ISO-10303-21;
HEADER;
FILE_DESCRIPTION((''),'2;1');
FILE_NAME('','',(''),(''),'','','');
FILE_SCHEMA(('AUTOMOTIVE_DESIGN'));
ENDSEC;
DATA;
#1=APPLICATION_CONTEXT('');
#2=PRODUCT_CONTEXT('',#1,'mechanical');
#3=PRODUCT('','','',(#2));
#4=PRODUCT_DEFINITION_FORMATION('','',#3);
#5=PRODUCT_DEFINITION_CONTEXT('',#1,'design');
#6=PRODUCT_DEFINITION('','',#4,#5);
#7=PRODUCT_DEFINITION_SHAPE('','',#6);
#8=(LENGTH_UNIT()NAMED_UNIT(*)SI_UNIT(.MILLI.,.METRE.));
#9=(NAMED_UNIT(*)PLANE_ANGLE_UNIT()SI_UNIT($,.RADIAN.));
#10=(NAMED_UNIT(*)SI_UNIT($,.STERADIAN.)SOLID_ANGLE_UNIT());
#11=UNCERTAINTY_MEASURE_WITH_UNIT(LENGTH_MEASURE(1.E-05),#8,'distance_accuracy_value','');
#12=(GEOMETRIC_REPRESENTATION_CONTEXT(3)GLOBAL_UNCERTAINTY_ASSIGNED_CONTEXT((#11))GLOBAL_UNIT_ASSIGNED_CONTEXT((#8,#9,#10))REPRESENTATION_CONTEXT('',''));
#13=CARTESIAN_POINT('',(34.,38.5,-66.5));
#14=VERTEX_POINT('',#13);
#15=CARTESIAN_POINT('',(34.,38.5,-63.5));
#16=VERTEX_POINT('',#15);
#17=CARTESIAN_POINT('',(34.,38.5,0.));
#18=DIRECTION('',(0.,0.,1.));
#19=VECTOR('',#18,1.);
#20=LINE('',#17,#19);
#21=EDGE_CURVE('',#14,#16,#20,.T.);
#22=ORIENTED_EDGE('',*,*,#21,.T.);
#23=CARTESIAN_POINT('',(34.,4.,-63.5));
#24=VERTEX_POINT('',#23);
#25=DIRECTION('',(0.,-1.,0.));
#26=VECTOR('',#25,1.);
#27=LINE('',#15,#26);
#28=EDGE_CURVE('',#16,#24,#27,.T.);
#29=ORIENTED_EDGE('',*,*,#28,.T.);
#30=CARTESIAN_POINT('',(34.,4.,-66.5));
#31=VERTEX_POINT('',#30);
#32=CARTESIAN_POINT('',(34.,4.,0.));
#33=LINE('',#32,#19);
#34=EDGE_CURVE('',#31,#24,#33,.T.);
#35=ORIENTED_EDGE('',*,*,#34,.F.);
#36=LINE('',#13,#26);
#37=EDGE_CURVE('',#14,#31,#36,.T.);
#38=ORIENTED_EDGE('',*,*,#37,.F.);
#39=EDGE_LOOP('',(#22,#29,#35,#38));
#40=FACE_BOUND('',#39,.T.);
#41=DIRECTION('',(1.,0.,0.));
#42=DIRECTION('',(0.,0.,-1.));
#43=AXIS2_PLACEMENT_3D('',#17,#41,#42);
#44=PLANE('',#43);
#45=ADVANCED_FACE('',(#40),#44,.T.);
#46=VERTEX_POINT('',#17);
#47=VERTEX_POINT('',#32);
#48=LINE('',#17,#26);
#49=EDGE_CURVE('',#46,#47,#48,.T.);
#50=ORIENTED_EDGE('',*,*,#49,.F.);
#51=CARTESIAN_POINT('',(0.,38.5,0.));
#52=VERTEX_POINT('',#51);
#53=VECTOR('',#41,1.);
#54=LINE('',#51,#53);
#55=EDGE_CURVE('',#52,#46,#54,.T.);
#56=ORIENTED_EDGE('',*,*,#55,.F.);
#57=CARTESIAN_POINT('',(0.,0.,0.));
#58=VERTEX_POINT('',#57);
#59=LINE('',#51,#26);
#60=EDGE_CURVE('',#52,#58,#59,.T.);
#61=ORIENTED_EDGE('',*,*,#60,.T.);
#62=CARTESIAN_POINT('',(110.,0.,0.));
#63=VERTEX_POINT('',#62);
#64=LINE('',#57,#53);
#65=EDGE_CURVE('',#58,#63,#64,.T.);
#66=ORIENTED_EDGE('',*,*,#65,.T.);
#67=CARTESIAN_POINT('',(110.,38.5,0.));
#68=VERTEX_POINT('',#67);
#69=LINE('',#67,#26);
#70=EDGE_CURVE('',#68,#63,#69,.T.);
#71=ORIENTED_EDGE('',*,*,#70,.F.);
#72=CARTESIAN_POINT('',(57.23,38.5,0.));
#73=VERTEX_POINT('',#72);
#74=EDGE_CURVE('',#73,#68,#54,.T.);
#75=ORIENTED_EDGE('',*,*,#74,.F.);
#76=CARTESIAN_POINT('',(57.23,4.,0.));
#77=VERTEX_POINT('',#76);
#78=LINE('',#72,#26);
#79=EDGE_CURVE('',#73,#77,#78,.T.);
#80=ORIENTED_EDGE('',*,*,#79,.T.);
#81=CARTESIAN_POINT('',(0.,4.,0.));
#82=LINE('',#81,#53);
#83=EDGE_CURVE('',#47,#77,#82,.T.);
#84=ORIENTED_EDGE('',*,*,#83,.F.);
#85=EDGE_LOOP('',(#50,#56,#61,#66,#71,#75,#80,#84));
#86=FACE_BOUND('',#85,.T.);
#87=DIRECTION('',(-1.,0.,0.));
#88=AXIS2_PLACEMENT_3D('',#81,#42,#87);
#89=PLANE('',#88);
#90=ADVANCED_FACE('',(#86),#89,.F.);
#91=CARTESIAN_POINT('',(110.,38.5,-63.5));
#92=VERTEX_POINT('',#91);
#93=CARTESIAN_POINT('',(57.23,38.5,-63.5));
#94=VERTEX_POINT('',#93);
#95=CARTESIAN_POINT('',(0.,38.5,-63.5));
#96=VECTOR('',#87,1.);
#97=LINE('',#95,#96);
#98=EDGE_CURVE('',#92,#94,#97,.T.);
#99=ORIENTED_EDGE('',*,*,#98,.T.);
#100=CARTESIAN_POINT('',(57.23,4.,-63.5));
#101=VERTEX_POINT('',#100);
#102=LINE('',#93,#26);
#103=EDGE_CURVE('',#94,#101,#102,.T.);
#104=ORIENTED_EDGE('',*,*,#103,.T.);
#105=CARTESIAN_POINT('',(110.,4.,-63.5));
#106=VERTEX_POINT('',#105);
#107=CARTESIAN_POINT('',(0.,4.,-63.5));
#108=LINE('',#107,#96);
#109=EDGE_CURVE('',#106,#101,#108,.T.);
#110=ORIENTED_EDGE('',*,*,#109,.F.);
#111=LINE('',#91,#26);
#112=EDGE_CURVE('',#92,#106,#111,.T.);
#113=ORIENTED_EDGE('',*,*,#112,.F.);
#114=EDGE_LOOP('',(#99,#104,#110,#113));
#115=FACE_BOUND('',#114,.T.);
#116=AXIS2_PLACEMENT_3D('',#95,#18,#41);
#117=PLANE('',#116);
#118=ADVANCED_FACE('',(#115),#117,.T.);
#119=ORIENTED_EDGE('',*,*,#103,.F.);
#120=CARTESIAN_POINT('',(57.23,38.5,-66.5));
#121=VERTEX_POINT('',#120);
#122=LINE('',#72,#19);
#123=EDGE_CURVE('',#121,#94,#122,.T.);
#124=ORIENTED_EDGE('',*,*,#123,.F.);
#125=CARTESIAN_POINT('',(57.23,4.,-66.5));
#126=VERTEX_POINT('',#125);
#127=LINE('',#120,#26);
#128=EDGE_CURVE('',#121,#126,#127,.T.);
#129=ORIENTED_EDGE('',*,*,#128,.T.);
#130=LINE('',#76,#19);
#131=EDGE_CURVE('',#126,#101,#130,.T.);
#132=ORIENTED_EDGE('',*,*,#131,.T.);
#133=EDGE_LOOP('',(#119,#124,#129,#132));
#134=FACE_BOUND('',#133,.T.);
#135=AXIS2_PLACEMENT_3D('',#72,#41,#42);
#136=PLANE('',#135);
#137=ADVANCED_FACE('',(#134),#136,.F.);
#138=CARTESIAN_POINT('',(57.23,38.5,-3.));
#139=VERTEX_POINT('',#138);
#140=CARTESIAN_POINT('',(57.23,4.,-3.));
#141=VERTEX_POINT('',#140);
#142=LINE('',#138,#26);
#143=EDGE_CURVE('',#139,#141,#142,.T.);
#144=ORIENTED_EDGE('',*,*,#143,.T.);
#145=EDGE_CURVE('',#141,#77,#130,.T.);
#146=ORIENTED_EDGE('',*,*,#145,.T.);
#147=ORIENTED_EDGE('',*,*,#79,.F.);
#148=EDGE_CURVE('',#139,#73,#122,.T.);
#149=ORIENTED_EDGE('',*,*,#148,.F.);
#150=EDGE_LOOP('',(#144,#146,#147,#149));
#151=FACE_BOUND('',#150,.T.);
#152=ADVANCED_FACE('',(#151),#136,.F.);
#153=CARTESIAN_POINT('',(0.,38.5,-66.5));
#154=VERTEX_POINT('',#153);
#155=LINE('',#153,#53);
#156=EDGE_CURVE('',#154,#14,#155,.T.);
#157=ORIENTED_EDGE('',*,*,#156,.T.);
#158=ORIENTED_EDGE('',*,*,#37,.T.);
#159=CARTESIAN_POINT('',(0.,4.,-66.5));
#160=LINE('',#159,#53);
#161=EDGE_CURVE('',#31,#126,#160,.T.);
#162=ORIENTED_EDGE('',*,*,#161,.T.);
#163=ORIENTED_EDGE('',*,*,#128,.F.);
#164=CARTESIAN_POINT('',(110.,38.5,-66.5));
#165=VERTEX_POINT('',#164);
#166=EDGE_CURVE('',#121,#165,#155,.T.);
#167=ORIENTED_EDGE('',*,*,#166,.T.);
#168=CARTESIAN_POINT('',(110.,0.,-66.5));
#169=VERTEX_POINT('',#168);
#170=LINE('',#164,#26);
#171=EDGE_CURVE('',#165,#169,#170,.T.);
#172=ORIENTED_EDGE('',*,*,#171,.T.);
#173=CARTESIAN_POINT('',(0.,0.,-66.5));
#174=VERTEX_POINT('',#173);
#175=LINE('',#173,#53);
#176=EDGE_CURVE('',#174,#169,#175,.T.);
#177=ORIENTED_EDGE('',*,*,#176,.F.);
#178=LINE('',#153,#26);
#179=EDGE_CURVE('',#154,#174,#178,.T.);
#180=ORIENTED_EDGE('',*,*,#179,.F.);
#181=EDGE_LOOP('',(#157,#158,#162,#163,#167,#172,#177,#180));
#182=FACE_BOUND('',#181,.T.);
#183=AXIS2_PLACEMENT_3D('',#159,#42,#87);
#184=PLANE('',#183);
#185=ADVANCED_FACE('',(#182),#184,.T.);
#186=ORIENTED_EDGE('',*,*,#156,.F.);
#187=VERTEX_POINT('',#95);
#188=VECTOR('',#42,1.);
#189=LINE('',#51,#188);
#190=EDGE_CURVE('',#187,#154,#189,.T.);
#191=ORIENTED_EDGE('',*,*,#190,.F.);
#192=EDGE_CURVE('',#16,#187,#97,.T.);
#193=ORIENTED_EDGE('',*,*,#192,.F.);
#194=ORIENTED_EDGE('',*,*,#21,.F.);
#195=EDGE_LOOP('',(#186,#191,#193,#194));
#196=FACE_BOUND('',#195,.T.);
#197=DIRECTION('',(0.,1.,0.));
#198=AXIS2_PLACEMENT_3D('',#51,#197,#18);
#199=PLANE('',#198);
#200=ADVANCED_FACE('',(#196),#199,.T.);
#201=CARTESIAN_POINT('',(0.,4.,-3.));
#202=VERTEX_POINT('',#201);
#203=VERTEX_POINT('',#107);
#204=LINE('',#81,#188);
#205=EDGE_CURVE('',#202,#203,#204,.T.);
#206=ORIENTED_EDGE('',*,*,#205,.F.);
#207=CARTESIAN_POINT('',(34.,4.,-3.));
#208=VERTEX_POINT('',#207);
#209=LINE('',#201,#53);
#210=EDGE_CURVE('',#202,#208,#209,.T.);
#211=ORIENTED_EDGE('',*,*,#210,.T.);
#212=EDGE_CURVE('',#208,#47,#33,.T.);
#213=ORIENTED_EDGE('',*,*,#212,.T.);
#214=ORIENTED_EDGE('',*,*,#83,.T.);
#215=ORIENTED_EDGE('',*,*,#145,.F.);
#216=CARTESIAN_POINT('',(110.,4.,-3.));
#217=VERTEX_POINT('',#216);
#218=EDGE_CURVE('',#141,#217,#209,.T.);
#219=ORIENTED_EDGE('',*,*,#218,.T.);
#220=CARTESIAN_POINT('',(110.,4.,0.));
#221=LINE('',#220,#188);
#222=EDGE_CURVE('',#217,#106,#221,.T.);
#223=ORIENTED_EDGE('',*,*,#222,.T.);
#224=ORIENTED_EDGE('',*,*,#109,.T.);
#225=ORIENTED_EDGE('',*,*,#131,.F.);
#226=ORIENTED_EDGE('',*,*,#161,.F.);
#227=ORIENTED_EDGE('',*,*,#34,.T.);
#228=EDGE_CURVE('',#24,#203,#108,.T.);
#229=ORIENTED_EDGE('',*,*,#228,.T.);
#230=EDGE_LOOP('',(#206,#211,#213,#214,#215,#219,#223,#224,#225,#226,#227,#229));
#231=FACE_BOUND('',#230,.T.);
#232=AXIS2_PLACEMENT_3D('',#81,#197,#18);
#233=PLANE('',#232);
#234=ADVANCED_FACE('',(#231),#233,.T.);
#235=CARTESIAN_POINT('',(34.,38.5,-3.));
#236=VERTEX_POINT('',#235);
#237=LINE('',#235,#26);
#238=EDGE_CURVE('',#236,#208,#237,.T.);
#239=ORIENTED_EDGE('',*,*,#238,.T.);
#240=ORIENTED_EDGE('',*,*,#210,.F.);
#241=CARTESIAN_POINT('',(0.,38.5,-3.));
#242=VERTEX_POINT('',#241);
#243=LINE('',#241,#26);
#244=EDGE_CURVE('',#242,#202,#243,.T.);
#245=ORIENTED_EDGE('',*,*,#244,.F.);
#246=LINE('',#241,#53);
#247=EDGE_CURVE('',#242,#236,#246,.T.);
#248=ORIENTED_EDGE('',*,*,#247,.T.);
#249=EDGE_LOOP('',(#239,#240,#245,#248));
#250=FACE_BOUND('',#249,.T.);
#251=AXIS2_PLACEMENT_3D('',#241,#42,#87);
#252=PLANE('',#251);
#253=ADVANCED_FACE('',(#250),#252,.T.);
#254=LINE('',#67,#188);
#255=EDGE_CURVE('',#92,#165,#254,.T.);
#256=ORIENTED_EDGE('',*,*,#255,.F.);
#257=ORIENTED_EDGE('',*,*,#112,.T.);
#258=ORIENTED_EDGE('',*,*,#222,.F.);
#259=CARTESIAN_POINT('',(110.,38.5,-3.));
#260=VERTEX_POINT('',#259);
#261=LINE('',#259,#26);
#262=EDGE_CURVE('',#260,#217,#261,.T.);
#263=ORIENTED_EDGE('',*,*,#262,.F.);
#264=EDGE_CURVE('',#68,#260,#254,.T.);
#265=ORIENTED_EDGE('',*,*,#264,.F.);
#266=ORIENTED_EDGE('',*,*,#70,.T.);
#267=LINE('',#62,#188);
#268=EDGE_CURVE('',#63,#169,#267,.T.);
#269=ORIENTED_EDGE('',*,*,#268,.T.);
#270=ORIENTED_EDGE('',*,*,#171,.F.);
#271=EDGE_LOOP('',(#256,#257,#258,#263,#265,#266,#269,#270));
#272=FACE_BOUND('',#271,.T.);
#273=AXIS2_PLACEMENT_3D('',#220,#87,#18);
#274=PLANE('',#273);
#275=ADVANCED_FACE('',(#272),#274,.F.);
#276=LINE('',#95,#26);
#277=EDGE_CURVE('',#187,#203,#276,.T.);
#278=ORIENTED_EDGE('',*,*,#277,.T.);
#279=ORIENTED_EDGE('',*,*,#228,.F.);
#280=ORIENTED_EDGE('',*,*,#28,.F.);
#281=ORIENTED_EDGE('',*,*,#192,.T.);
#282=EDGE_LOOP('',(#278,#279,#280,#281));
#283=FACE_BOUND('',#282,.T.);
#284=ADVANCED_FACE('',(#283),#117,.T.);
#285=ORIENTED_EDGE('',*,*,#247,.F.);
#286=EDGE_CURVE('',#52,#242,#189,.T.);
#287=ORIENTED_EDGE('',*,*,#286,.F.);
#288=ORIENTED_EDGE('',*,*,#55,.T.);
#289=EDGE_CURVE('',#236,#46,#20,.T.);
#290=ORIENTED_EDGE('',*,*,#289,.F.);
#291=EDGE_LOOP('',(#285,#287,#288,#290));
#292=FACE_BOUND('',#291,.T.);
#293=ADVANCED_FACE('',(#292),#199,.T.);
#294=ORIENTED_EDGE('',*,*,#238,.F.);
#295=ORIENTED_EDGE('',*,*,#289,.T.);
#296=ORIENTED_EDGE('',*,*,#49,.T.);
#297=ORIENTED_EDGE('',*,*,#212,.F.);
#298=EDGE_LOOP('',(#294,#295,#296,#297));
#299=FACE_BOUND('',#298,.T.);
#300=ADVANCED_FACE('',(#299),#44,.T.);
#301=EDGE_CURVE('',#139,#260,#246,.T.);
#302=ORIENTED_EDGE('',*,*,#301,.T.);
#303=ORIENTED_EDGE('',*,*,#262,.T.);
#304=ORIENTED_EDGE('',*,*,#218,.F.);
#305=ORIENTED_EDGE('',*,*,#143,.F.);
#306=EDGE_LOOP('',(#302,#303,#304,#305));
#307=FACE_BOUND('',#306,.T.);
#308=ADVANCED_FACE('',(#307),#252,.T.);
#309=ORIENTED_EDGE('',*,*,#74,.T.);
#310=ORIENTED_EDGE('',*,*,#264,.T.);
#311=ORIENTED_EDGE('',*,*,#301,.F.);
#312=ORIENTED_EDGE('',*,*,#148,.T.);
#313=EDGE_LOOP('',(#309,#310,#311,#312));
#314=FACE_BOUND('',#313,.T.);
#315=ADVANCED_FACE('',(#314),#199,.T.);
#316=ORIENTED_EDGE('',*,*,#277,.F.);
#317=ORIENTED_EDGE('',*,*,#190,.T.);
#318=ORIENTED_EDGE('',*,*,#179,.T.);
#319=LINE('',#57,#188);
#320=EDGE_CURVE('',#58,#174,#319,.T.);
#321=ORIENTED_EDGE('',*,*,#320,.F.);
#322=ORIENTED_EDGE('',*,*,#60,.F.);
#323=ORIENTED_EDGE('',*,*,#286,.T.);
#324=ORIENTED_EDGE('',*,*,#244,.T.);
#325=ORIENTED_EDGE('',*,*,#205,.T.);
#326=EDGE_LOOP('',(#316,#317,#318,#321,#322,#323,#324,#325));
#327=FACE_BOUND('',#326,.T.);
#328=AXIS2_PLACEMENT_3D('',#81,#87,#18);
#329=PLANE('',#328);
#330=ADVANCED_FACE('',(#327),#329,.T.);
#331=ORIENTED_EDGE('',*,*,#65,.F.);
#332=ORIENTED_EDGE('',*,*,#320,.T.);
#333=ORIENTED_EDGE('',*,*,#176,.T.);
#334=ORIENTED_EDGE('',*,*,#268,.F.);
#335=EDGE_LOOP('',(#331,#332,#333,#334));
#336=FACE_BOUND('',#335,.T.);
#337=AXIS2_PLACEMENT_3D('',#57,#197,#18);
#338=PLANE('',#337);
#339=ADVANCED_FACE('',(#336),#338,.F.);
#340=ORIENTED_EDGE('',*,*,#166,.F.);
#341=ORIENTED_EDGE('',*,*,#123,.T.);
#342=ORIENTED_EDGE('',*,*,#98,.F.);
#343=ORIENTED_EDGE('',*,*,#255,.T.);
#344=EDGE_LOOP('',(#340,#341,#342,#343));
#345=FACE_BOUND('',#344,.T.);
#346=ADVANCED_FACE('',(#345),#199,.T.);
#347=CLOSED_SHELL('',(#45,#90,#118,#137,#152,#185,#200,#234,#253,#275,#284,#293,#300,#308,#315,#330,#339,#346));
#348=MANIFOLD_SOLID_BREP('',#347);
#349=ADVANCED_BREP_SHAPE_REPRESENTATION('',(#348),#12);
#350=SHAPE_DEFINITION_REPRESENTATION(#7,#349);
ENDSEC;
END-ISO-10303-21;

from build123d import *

# Parameters (mm, degrees)
EXTRUDE_1_DEPTH = 4
SKETCH_1_3_W    = 34
SKETCH_1_3_H    = 3
SKETCH_1_3_W_2  = 52.77
EXTRUDE_2_DEPTH = 38.5


with BuildPart() as part:
    # 草图1 → 凸台-拉伸1 (new body)
    with BuildSketch(Plane(origin=(0, 0, 0), x_dir=(1, 0, 0), z_dir=(0, 1, 0))):
        Polygon((0, 63.5), (0, 3), (34, 3), (34, 0), (57.23, 0), (57.23, 3), (110, 3), (110, 63.5), (57.23, 63.5), (57.23, 66.5), (34, 66.5), (34, 63.5), align=None)
    extrude(amount=EXTRUDE_1_DEPTH)

    # 草图1<3> → 凸台-拉伸2 (add)
    with BuildSketch(Plane(origin=(0, 0, 0), x_dir=(1, 0, 0), z_dir=(0, 1, 0))):
        with Locations((17, 1.5)):
            Rectangle(SKETCH_1_3_W, SKETCH_1_3_H)
        with Locations((17, 65)):
            Rectangle(SKETCH_1_3_W, SKETCH_1_3_H)
        with Locations((83.615, 1.5)):
            Rectangle(SKETCH_1_3_W_2, SKETCH_1_3_H)
        with Locations((83.615, 65)):
            Rectangle(SKETCH_1_3_W_2, SKETCH_1_3_H)
    extrude(amount=EXTRUDE_2_DEPTH)


solid = part.part
